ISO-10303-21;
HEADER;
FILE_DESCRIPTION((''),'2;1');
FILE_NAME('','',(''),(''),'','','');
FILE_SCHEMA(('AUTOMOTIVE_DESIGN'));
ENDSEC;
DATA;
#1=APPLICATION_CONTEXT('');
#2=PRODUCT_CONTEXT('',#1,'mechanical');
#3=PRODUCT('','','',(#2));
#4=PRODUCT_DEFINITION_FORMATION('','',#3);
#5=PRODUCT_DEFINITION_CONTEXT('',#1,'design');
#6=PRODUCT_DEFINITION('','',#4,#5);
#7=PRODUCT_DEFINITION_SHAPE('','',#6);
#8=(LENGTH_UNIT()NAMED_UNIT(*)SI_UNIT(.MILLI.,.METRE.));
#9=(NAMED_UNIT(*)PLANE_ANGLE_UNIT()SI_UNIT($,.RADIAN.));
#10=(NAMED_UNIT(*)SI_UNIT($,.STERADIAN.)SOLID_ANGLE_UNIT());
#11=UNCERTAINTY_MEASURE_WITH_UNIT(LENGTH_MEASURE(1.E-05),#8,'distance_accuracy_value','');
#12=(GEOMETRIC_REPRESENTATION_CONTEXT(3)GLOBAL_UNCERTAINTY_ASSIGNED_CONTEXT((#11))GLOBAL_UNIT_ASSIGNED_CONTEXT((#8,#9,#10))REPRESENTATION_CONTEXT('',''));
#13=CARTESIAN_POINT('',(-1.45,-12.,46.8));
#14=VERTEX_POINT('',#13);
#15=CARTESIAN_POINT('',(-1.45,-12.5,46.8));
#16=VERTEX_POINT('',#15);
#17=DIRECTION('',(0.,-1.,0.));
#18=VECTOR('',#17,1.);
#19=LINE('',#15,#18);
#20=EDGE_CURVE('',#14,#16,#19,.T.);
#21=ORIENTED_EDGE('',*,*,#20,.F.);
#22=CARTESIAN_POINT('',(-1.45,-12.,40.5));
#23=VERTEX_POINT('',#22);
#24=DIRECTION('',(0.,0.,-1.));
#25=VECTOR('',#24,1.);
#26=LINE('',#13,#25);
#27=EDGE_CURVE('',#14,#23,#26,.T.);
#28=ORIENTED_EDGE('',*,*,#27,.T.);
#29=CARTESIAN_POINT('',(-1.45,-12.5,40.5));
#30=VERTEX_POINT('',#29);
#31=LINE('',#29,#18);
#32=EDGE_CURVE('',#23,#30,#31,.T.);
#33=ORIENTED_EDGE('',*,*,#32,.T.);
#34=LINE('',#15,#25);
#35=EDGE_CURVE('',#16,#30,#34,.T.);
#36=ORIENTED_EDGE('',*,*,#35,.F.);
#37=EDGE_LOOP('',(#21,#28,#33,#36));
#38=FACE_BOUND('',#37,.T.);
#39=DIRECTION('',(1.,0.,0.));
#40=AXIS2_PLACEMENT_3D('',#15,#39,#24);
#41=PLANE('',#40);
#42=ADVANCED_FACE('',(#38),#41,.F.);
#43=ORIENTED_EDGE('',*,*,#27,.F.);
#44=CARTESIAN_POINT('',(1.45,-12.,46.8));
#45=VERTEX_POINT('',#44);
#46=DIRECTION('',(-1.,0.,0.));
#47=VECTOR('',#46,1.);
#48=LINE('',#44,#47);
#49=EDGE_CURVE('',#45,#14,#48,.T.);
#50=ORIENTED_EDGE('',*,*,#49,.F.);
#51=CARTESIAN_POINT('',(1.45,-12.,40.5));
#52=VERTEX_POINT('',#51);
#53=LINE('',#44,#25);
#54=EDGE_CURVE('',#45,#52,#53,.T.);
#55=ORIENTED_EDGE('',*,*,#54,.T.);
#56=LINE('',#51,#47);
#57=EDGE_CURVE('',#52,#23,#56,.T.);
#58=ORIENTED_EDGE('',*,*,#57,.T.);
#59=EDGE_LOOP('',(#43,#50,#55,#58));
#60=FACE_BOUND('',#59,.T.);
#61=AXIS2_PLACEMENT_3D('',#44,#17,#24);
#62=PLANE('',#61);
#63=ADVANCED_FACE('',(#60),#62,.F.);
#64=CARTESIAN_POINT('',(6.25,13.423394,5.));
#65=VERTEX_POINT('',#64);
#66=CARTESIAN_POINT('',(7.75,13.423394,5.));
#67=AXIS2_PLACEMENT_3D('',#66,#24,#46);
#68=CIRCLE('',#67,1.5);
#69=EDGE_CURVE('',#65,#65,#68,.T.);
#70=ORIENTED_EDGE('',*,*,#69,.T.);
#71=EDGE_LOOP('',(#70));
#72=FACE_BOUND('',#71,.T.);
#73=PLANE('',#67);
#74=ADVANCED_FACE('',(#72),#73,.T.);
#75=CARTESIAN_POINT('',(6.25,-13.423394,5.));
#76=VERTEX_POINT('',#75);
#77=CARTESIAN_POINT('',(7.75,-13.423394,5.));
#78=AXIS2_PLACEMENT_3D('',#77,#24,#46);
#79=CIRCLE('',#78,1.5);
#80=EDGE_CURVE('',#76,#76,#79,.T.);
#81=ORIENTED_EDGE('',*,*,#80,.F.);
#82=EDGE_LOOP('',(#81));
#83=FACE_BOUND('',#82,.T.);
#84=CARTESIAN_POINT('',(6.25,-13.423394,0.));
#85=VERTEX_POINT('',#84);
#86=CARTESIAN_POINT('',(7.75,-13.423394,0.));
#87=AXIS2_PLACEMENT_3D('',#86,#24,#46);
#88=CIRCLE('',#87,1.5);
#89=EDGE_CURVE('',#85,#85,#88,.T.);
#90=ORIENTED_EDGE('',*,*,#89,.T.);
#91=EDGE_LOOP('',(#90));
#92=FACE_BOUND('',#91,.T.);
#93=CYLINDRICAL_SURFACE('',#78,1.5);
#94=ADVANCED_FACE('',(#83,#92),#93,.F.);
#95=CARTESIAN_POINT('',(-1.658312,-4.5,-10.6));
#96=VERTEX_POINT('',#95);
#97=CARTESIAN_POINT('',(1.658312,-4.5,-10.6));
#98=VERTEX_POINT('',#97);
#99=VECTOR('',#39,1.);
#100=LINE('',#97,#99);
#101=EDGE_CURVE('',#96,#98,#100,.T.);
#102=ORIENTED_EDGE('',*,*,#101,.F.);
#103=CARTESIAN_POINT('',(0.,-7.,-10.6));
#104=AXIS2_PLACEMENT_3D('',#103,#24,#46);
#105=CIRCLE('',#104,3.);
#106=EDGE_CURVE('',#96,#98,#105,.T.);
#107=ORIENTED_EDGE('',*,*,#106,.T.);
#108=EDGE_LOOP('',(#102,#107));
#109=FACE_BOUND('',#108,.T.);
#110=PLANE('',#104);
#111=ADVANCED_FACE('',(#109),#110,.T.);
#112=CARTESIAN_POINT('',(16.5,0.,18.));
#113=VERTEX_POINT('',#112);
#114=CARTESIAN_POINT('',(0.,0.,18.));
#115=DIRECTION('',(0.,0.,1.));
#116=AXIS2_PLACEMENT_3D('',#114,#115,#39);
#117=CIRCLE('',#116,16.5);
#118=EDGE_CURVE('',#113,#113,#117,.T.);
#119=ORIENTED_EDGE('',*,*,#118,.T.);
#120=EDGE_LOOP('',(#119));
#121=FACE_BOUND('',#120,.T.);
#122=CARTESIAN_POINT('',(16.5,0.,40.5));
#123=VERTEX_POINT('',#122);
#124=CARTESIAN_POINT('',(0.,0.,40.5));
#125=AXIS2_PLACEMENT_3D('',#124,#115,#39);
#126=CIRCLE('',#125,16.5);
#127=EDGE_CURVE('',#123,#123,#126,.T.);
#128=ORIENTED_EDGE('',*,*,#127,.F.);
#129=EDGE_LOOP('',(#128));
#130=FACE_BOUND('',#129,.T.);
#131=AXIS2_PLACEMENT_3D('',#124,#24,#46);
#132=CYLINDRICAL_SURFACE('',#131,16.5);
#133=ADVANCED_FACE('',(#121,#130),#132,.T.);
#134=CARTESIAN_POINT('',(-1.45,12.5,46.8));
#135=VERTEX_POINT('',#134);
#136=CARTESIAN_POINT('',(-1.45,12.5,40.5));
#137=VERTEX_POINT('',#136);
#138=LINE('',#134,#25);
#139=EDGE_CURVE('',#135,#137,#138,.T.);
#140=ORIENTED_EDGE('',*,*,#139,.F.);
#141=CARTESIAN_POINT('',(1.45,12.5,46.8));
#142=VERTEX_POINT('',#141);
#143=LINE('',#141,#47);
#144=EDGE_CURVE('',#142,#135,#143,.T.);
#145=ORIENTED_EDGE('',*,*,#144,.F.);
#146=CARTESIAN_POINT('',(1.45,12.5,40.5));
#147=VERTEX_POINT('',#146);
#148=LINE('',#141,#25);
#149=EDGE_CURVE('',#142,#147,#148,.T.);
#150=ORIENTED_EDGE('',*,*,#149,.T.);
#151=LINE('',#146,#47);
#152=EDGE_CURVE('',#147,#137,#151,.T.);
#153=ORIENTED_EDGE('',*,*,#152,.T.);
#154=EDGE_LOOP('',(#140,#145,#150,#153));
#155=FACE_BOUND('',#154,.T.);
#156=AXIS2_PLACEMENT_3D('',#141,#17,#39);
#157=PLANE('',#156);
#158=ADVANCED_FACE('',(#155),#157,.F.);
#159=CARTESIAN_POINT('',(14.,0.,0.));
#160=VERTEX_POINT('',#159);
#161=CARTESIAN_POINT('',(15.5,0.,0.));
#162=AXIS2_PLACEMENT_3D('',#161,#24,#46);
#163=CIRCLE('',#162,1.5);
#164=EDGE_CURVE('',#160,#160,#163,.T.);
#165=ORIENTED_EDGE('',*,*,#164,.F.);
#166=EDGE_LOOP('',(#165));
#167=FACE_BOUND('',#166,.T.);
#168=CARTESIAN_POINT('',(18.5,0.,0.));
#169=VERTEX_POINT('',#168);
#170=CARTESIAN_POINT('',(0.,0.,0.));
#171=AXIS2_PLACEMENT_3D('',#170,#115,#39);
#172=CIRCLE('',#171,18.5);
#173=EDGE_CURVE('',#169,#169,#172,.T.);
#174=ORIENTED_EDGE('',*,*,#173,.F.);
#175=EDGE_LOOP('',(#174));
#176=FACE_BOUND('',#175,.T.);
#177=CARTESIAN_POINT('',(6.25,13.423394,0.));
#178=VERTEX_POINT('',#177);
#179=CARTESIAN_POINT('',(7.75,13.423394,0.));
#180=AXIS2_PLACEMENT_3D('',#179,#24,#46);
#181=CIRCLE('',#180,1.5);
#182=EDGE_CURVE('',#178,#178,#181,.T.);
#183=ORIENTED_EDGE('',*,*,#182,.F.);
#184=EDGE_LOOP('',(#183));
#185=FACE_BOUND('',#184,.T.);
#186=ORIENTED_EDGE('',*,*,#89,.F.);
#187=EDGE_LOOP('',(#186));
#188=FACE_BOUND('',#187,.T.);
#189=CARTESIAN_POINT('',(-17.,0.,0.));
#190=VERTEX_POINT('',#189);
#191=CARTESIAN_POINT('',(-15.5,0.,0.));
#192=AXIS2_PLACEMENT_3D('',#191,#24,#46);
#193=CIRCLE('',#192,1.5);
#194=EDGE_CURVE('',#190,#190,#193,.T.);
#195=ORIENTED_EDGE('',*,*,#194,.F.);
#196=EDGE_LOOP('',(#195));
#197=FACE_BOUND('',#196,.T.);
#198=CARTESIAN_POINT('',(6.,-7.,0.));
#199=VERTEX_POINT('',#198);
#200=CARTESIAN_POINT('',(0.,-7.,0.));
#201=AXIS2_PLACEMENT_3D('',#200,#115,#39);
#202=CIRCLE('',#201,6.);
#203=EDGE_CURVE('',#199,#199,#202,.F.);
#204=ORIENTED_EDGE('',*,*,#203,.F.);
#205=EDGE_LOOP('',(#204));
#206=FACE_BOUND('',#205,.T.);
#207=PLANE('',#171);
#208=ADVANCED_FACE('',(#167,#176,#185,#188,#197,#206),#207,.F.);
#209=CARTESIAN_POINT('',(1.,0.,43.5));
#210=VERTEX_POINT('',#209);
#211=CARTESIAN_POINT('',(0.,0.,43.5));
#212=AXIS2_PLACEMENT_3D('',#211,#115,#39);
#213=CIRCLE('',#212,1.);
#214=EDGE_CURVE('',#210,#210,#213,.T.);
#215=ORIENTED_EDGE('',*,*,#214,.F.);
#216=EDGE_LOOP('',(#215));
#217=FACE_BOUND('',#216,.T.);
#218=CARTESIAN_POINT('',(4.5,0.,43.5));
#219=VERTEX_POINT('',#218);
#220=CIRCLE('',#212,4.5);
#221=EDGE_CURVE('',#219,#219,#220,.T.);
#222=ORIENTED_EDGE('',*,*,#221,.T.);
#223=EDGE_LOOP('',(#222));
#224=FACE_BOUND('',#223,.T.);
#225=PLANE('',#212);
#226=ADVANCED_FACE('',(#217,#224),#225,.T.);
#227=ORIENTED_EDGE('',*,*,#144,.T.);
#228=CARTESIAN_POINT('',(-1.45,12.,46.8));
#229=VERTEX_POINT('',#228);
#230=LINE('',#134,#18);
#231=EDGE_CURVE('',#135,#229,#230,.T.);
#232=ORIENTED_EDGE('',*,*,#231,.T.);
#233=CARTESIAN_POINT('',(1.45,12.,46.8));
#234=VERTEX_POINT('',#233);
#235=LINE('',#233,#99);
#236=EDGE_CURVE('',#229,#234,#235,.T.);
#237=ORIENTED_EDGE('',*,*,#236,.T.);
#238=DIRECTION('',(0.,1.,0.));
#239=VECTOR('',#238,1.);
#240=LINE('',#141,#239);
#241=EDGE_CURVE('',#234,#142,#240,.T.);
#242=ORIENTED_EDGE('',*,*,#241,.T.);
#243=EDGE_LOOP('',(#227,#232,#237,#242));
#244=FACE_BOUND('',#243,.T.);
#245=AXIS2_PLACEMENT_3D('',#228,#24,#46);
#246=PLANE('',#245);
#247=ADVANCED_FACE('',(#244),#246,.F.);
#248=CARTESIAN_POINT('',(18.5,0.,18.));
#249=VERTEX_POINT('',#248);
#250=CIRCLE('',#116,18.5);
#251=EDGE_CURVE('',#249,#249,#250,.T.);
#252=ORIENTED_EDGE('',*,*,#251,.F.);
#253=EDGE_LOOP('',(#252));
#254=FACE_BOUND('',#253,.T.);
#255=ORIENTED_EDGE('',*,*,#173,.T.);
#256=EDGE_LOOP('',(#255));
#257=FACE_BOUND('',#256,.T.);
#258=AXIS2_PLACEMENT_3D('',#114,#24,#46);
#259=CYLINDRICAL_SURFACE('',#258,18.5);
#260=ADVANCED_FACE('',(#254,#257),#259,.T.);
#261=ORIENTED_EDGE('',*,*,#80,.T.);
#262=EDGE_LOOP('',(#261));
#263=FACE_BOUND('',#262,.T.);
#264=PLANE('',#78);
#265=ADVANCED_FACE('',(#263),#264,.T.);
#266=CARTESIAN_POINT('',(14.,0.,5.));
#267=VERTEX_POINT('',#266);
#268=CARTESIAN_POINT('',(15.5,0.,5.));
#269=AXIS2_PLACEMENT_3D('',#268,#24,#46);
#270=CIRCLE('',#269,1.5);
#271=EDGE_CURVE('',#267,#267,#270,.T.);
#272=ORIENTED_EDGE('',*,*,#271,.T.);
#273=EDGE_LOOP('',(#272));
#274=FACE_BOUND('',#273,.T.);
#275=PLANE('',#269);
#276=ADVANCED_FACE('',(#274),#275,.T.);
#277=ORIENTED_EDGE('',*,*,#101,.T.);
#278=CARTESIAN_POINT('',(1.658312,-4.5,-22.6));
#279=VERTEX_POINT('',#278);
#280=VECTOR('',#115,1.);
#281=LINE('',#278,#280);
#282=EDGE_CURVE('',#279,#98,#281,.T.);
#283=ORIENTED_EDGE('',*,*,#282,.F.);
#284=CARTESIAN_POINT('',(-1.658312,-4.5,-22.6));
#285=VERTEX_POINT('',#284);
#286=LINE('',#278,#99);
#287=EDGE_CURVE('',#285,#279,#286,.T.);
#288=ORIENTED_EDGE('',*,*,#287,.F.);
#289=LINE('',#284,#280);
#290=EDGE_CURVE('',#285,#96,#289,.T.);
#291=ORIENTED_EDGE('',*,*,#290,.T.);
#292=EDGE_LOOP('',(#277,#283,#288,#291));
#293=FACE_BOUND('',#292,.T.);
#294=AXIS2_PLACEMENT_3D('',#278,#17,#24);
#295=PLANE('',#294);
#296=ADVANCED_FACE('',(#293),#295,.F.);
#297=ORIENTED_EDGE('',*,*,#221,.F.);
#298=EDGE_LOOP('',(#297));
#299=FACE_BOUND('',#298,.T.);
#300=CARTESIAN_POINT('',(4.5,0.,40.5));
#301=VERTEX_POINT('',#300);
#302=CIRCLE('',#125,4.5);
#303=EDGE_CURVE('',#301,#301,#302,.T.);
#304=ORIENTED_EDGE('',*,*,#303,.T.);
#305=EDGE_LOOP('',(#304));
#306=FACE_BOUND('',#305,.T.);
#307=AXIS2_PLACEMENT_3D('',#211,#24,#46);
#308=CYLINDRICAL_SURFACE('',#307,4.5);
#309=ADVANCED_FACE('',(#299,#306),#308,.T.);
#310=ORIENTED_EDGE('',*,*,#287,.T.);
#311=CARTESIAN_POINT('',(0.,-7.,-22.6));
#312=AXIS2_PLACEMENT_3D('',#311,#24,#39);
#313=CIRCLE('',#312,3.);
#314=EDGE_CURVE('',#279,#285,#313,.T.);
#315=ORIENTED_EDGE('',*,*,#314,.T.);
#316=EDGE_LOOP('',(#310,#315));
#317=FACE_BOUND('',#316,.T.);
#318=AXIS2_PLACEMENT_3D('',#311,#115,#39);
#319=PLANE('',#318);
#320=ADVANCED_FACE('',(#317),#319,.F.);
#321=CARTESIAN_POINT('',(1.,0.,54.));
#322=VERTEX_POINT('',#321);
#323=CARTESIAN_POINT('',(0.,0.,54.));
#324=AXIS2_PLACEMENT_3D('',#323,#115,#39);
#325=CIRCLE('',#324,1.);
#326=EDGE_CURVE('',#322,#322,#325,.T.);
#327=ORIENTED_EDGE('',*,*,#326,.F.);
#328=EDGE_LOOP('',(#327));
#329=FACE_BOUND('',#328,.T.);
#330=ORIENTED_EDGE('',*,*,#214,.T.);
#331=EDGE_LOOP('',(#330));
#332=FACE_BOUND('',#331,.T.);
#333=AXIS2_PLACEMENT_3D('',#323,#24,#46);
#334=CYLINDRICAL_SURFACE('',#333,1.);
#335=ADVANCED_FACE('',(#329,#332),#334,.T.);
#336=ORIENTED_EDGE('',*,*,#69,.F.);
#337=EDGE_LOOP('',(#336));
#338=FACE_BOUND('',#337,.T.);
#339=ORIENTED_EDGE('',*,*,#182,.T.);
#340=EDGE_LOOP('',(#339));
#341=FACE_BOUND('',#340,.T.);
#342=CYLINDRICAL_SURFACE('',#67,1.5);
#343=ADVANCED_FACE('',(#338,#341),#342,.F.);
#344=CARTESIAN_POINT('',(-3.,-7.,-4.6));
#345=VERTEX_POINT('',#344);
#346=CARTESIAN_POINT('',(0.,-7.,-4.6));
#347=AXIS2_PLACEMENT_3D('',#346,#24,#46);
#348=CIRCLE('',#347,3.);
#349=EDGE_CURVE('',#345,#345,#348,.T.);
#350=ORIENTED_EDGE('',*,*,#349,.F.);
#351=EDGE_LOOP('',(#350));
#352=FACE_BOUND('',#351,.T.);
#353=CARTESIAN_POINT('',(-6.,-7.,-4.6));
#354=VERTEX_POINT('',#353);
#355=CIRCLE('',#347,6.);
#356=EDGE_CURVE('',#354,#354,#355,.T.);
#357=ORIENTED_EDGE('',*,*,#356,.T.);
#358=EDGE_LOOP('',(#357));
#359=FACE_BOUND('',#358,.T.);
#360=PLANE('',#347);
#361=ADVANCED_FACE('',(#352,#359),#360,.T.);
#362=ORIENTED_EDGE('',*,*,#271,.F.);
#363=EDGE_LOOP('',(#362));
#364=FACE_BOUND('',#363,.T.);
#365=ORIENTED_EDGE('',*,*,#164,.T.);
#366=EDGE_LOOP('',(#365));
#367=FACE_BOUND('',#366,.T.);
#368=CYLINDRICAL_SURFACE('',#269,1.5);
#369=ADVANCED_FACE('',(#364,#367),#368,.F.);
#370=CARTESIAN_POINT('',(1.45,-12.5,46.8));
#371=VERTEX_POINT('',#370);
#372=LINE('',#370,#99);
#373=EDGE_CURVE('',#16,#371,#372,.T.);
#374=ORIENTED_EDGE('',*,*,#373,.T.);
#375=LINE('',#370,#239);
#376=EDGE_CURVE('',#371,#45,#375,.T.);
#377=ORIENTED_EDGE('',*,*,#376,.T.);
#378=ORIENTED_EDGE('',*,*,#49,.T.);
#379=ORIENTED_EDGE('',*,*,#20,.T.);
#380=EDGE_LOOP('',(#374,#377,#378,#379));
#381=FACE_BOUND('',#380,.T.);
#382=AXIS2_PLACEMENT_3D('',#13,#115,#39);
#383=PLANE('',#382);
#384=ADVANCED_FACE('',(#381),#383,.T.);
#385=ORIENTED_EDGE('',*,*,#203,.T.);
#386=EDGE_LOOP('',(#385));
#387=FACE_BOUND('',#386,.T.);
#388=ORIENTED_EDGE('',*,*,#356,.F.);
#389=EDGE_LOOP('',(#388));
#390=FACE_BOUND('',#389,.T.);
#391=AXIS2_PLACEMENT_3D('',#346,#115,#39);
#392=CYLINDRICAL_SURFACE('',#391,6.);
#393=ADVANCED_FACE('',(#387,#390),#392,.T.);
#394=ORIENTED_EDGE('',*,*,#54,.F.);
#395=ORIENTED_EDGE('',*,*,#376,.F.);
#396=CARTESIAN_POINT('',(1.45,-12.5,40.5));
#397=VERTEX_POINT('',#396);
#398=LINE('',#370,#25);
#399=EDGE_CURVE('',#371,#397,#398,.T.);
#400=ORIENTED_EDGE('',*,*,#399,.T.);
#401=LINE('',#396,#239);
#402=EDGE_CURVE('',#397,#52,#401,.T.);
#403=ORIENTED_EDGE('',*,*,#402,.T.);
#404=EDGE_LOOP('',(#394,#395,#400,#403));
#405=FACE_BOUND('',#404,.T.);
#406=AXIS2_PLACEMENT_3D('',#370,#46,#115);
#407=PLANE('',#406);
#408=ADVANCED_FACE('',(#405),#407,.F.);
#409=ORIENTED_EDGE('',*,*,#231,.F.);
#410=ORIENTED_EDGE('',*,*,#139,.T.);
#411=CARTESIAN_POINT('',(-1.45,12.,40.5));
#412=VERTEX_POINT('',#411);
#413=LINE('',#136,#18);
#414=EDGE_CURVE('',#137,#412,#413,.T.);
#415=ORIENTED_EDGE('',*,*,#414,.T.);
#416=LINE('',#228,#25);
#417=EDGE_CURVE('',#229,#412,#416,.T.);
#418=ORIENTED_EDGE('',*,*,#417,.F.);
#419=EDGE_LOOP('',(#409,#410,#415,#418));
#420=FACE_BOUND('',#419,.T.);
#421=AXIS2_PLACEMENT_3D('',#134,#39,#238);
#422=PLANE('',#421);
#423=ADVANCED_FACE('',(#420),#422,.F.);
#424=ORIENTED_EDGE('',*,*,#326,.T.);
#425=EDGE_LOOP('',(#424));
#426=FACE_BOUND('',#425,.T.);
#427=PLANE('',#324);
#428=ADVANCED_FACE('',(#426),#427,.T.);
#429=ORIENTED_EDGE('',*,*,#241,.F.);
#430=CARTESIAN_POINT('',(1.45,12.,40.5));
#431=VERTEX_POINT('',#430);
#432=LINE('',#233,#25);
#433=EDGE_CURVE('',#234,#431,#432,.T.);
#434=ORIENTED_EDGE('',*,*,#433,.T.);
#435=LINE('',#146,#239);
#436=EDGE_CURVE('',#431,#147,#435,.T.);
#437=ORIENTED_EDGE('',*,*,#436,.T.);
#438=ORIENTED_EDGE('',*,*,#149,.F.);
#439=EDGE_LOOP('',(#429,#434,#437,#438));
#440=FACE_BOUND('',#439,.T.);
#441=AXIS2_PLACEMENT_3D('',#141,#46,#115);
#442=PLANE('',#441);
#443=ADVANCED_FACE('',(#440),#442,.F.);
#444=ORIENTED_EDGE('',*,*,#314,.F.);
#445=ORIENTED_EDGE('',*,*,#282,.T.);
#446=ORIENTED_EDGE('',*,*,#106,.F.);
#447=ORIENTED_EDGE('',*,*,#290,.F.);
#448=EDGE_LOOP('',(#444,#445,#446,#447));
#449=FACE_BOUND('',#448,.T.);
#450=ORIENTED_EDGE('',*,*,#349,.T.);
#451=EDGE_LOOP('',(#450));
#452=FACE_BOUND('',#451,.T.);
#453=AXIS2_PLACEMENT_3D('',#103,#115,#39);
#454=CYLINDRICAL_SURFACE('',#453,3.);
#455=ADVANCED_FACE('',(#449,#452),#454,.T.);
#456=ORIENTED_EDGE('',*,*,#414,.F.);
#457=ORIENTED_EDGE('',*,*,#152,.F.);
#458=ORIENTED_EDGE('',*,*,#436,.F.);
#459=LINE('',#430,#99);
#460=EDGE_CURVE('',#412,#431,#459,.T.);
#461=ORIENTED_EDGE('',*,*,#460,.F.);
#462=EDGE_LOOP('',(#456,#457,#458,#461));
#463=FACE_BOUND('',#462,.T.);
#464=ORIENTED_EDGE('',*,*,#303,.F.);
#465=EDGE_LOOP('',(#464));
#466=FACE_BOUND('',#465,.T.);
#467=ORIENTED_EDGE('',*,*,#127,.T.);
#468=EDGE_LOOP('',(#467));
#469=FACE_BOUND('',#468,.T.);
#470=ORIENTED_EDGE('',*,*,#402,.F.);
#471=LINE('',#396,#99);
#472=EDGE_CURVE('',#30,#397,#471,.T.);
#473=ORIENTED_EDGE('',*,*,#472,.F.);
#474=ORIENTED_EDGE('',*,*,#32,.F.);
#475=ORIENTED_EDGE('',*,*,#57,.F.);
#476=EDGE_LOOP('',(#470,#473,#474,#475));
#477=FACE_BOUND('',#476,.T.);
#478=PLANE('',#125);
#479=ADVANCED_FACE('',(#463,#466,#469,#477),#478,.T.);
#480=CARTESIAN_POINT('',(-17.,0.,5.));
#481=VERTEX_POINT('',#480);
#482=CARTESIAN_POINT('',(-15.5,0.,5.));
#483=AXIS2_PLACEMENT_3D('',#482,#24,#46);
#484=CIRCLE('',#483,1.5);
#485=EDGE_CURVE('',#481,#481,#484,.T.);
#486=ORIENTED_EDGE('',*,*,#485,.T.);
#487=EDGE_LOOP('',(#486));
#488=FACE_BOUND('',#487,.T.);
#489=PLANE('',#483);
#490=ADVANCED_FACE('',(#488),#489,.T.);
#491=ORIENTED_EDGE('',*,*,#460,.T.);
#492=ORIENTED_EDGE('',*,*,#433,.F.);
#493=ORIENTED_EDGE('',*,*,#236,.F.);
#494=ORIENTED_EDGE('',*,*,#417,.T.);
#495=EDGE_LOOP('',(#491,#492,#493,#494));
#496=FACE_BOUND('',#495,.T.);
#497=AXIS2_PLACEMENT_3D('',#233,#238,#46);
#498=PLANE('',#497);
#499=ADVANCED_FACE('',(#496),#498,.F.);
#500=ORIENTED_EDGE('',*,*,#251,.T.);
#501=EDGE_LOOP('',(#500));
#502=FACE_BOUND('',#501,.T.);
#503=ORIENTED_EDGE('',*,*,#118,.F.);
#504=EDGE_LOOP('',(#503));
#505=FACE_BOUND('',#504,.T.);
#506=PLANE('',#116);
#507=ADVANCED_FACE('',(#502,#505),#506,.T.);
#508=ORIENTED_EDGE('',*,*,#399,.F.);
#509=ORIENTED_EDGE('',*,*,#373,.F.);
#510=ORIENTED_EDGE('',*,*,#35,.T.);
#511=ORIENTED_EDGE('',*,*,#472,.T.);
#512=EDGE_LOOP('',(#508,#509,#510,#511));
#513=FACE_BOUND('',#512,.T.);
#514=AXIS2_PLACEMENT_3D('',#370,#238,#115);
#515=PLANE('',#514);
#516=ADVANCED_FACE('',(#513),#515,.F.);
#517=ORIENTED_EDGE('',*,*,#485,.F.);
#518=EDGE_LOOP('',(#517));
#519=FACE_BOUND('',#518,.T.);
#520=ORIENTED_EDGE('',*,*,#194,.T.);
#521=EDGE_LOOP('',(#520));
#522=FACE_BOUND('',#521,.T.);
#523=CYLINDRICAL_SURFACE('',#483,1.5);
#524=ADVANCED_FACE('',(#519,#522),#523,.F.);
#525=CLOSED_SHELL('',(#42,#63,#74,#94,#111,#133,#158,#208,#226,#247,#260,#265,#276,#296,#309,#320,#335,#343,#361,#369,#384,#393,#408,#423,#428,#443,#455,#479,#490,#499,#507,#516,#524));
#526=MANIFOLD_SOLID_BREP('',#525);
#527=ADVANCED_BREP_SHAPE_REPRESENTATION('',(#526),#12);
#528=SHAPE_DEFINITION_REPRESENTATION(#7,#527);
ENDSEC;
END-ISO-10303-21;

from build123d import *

# Parameters (mm, degrees)
CROQUIS1_R              = 18.5
SALIENTE_EXTRUIR1_DEPTH = 18
CROQUIS2_R              = 16.5
SALIENTE_EXTRUIR2_DEPTH = 22.5
CROQUIS3_R              = 4.5
SALIENTE_EXTRUIR3_DEPTH = 3
CROQUIS4_R              = 1
SALIENTE_EXTRUIR4_DEPTH = 10.5
CROQUIS5_W              = 2.9
CROQUIS5_H              = 0.5
SALIENTE_EXTRUIR5_DEPTH = 6.3
CROQUIS6_R              = 6
SALIENTE_EXTRUIR6_DEPTH = 4.6
CROQUIS7_R              = 3
SALIENTE_EXTRUIR7_DEPTH = 6
SALIENTE_EXTRUIR8_DEPTH = 12
CROQUIS9_R              = 1.5
CORTAR_EXTRUIR1_DEPTH   = 5


with BuildPart() as part:
    # Croquis1 → Saliente-Extruir1 (new body)
    with BuildSketch(Plane.XY):
        Circle(CROQUIS1_R)
    extrude(amount=SALIENTE_EXTRUIR1_DEPTH)

    # Croquis2 → Saliente-Extruir2 (add)
    with BuildSketch(Plane.XY.offset(18)):
        Circle(CROQUIS2_R)
    extrude(amount=SALIENTE_EXTRUIR2_DEPTH)

    # Croquis3 → Saliente-Extruir3 (add)
    with BuildSketch(Plane.XY.offset(40.5)):
        Circle(CROQUIS3_R)
    extrude(amount=SALIENTE_EXTRUIR3_DEPTH)

    # Croquis4 → Saliente-Extruir4 (add)
    with BuildSketch(Plane.XY.offset(43.5)):
        Circle(CROQUIS4_R)
    extrude(amount=SALIENTE_EXTRUIR4_DEPTH)

    # Croquis5 → Saliente-Extruir5 (add)
    with BuildSketch(Plane.XY.offset(40.5)):
        with Locations((0, 12.25)):
            Rectangle(CROQUIS5_W, CROQUIS5_H)
        with Locations((0, -12.25)):
            Rectangle(CROQUIS5_W, CROQUIS5_H)
    extrude(amount=SALIENTE_EXTRUIR5_DEPTH)

    # Croquis6 → Saliente-Extruir6 (add)
    with BuildSketch(Plane(origin=(0, 0, 0), x_dir=(-1, 0, 0), z_dir=(0, 0, -1))):
        with Locations((0, -7)):
            Circle(CROQUIS6_R)
    extrude(amount=SALIENTE_EXTRUIR6_DEPTH)

    # Croquis7 → Saliente-Extruir7 (add)
    with BuildSketch(Plane(origin=(0, 0, -4.6), x_dir=(-1, 0, 0), z_dir=(0, 0, -1))):
        with Locations((0, -7)):
            Circle(CROQUIS7_R)
    extrude(amount=SALIENTE_EXTRUIR7_DEPTH)

    # Croquis8 → Saliente-Extruir8 (add)
    with BuildSketch(Plane(origin=(0, 0, -10.6), x_dir=(-1, 0, 0), z_dir=(0, 0, -1))):
        with BuildLine():
            Line((-1.658312395, -4.5), (1.658312395, -4.5))
            ThreePointArc((1.658312395, -4.5), (0, -10), (-1.658312395, -4.5))
        make_face()
    extrude(amount=SALIENTE_EXTRUIR8_DEPTH)

    # Croquis9 → Cortar-Extruir1 (cut)
    with BuildSketch(Plane(origin=(0, 0, 0), x_dir=(-1, 0, 0), z_dir=(0, 0, -1))):
        with Locations((-7.75, 13.423393759)):
            Circle(CROQUIS9_R)
        with Locations((-15.5, 0)):
            Circle(CROQUIS9_R)
        with Locations((-7.75, -13.423393759)):
            Circle(CROQUIS9_R)
        with Locations((15.5, 0)):
            Circle(CROQUIS9_R)
    extrude(amount=-CORTAR_EXTRUIR1_DEPTH, mode=Mode.SUBTRACT)


solid = part.part
